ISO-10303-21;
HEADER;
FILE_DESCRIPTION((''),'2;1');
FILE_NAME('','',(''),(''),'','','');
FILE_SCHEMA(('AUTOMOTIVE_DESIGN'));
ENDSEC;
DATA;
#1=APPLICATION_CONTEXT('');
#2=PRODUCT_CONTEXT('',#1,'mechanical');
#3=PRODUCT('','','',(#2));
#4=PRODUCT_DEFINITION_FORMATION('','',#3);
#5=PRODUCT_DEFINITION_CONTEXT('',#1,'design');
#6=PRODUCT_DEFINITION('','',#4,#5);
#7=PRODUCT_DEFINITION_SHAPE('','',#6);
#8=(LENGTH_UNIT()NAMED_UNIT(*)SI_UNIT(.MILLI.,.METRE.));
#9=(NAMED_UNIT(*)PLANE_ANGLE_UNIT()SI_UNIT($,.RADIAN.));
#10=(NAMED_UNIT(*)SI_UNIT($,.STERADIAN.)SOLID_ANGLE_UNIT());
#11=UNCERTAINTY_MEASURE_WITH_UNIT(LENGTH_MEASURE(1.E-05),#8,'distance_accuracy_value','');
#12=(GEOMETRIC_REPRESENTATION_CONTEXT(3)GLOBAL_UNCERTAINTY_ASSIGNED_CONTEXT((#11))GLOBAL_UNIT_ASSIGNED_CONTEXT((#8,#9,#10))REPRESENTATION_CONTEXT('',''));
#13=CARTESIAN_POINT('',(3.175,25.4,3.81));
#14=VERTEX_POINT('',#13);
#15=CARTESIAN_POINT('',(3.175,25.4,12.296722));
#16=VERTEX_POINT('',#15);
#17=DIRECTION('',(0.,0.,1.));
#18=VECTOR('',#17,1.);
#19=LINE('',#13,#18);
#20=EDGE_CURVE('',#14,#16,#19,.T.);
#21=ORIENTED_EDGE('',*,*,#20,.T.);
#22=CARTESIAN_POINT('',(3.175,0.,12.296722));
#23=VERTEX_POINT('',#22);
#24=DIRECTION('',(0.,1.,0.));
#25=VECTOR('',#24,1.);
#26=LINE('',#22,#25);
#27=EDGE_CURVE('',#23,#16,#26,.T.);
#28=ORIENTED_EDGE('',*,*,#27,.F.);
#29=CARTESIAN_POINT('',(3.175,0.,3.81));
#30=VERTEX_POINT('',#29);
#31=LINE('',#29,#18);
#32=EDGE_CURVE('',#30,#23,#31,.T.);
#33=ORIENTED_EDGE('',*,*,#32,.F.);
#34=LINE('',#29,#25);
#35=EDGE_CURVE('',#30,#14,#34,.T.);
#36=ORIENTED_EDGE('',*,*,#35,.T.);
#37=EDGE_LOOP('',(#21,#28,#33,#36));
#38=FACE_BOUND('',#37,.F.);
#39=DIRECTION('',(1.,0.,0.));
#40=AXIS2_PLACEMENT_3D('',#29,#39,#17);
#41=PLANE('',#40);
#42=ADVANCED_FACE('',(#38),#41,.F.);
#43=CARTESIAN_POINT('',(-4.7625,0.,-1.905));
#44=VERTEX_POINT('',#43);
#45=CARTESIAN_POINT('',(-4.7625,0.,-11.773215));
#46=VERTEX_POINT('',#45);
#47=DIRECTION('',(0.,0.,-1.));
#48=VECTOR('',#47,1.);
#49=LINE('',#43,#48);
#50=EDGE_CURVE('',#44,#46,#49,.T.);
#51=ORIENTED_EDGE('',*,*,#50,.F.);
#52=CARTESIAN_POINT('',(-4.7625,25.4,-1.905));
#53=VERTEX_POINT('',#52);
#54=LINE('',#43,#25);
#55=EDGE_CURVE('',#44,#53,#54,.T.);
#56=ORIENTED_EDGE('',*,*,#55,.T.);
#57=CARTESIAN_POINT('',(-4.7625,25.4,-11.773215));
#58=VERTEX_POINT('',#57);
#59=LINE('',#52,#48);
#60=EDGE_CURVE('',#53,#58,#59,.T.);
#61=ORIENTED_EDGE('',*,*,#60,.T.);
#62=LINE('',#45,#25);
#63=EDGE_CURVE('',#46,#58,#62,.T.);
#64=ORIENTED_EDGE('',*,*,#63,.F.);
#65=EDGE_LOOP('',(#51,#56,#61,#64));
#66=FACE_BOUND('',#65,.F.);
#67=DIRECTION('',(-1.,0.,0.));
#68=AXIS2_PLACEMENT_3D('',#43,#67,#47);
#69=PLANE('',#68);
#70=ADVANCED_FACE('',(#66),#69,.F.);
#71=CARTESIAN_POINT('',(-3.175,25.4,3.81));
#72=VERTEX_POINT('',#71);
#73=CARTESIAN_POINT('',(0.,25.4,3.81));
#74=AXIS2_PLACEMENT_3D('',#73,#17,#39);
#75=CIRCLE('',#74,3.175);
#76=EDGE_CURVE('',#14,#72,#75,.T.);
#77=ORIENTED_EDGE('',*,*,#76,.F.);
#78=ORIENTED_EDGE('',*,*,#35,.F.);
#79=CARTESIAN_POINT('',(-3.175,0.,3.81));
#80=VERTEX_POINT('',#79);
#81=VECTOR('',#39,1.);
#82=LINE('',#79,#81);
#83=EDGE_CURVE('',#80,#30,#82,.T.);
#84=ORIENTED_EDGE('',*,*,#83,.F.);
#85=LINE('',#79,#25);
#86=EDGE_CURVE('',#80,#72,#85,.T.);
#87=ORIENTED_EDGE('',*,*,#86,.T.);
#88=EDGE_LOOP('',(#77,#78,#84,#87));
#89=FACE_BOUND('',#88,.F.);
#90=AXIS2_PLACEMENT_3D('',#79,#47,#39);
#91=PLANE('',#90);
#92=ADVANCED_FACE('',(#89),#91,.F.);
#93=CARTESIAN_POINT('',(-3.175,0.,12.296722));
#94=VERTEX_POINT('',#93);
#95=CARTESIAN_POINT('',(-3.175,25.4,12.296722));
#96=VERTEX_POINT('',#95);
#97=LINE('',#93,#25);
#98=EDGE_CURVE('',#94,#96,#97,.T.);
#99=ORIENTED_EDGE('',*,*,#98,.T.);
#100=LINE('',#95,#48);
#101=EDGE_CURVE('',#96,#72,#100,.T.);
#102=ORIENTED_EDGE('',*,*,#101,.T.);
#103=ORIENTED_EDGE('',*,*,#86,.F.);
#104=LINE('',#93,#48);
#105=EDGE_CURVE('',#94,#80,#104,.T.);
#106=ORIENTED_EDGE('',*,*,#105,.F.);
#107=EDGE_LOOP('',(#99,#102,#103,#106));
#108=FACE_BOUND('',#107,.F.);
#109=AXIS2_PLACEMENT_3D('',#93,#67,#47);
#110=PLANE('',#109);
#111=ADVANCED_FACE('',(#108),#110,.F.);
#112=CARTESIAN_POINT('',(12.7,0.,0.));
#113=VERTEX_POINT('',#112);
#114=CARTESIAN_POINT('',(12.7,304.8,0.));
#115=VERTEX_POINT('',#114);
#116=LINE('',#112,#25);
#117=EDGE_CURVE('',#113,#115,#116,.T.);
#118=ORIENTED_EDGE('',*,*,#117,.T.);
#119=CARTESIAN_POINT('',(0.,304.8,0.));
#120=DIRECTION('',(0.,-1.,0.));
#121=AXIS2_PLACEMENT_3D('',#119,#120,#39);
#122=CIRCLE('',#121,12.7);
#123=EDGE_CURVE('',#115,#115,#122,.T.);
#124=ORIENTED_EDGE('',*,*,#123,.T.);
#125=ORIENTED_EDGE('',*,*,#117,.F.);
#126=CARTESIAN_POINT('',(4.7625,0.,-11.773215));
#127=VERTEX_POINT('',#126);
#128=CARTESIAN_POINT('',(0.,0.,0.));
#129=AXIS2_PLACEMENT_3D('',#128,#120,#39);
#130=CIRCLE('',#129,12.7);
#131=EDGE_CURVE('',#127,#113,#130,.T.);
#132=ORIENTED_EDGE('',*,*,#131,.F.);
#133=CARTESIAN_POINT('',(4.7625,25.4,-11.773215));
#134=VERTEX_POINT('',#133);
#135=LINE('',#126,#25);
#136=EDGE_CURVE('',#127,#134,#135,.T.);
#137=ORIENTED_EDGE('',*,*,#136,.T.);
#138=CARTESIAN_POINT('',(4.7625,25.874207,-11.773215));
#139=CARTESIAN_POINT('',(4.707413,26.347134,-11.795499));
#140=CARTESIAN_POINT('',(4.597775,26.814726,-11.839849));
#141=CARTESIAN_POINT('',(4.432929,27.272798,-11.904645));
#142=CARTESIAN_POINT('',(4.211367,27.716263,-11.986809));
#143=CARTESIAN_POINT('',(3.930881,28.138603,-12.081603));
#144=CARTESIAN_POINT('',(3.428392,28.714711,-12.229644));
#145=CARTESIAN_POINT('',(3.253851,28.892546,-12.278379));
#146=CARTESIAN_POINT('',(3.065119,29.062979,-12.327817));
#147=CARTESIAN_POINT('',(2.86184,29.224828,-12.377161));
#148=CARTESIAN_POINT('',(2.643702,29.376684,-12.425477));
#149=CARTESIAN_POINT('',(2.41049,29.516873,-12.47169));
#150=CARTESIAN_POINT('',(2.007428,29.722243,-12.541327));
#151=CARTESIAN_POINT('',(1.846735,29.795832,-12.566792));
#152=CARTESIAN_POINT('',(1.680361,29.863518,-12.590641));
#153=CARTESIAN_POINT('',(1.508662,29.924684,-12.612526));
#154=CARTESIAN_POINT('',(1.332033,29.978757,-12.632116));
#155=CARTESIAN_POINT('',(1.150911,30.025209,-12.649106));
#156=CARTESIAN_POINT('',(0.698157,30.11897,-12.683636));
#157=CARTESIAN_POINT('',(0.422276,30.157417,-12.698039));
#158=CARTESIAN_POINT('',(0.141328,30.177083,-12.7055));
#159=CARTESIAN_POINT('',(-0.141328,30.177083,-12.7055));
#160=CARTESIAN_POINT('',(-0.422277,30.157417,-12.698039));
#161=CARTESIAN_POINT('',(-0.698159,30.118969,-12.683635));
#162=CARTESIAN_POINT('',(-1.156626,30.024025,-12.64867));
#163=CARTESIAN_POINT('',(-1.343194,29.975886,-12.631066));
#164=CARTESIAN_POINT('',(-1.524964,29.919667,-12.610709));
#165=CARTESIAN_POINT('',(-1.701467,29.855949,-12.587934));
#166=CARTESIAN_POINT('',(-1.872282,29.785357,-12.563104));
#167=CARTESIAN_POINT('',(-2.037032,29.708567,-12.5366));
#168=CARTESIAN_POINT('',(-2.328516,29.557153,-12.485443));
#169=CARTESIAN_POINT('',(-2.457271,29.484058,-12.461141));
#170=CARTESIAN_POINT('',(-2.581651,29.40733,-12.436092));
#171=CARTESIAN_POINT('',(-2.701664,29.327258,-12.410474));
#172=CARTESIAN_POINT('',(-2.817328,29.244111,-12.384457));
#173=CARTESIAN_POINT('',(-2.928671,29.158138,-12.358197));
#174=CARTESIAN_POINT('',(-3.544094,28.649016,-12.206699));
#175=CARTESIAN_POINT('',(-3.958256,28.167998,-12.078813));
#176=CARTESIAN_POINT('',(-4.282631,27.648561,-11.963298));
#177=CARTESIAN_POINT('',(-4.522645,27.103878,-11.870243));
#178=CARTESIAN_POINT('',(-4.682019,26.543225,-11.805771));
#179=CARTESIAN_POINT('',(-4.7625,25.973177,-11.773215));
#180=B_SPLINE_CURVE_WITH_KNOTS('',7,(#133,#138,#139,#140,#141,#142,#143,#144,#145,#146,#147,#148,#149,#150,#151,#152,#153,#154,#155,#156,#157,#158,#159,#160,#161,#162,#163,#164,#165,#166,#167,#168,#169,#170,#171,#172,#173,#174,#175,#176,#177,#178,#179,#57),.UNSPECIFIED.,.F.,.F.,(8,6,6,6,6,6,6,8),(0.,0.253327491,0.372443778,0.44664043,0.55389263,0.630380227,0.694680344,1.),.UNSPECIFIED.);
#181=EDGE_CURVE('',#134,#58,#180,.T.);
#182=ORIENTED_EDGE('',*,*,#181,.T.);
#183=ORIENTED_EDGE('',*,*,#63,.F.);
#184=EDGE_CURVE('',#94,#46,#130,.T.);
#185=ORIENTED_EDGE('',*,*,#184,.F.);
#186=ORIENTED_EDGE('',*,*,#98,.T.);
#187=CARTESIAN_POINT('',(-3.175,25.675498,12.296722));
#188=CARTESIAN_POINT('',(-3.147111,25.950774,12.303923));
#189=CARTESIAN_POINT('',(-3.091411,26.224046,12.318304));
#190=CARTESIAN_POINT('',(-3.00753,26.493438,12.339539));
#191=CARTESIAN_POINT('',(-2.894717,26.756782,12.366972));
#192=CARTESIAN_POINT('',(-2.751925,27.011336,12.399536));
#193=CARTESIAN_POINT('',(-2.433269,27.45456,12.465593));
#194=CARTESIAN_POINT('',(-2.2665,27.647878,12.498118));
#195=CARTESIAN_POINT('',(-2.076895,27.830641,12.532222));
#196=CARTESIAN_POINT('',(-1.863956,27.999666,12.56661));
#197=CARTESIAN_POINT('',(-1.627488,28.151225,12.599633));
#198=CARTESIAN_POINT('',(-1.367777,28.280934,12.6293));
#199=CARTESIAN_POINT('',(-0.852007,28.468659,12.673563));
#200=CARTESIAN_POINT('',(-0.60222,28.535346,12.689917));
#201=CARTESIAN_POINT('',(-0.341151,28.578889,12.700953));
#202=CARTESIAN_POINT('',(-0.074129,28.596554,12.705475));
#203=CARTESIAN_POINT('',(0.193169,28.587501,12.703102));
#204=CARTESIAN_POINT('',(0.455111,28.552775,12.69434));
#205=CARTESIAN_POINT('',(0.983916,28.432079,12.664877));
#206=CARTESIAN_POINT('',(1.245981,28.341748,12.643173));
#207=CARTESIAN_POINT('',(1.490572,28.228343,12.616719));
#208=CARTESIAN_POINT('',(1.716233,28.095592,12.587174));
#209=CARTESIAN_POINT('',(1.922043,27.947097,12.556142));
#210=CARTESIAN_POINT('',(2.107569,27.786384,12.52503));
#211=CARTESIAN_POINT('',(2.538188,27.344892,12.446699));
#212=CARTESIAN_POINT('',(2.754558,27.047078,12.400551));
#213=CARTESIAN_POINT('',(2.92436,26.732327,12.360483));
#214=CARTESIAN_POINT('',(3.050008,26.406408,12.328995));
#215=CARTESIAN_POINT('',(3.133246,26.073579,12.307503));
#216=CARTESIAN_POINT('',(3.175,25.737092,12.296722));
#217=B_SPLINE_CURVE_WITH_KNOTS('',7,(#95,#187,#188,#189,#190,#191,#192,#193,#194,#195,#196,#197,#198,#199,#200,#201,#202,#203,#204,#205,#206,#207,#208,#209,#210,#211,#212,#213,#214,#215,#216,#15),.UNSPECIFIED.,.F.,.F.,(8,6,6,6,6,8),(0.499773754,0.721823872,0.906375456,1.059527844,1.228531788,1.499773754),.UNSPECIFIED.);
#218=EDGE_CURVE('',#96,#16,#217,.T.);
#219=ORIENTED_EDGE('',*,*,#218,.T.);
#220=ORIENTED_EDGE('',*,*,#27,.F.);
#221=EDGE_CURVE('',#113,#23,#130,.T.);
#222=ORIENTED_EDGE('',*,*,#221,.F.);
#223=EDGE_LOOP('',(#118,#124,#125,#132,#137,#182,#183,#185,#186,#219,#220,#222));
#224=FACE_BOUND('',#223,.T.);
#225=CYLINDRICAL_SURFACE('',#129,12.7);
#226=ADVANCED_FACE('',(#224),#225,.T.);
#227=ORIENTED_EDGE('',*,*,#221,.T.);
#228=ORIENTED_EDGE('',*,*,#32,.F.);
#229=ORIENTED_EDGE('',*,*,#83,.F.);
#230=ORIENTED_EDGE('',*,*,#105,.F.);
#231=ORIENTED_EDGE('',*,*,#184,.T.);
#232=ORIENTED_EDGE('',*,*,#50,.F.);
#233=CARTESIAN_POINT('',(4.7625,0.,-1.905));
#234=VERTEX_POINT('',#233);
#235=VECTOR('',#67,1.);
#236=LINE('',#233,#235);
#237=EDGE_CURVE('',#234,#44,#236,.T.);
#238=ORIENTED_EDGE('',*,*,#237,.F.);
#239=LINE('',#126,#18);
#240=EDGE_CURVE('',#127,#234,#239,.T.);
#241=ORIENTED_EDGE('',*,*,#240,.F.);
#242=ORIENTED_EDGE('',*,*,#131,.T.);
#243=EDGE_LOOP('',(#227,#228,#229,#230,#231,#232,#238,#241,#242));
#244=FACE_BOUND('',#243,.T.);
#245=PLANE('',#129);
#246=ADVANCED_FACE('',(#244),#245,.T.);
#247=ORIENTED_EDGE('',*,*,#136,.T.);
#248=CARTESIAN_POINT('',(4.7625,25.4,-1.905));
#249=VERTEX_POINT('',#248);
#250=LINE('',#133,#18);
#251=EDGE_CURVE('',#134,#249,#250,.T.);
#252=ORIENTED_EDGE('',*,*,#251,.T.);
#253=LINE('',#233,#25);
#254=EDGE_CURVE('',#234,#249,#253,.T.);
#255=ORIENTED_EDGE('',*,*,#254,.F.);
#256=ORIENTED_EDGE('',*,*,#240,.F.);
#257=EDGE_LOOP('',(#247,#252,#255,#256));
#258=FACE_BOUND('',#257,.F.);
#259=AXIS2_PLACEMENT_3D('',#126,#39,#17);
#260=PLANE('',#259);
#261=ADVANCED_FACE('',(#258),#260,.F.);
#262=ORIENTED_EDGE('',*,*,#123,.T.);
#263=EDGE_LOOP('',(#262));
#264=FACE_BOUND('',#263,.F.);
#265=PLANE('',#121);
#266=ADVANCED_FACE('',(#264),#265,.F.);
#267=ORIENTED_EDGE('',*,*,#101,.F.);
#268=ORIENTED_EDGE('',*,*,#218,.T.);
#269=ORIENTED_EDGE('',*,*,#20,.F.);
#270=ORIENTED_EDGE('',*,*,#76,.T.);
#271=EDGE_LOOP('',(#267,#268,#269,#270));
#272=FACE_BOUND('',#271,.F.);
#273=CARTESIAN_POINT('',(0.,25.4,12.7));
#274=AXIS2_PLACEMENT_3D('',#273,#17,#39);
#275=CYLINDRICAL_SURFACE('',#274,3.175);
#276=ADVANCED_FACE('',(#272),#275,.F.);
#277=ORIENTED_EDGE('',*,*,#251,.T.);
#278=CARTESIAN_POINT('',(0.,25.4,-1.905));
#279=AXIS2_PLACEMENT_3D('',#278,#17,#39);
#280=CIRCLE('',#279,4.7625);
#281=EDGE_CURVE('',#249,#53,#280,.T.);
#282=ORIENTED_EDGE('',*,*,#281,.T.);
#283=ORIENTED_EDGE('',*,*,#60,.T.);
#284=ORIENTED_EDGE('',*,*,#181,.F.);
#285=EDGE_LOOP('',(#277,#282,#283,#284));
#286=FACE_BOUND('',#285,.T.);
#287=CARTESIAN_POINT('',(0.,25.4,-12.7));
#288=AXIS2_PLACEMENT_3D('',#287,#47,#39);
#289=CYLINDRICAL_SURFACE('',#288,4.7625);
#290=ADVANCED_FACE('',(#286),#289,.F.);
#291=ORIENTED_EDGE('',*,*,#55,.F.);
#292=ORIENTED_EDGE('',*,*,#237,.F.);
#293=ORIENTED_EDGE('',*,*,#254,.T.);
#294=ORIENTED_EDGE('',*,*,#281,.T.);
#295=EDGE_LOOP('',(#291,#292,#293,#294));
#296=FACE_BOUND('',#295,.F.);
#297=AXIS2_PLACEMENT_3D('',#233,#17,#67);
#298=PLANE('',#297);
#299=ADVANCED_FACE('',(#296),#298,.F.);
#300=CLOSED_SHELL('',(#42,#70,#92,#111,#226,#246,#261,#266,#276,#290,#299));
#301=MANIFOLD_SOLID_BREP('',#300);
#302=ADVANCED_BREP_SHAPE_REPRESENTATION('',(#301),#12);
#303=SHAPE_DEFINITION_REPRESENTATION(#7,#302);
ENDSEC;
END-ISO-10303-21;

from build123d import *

# Parameters (mm, degrees)
F0_R     = 12.7
F1_DEPTH = 304.8
F3_DEPTH = 25.4
F7_DEPTH = 8.89
F9_DEPTH = 10.795


with BuildPart() as f1:
    # F0 (on Front) → F1 (new body)
    with BuildSketch(Plane.XZ):
        Circle(F0_R)
    extrude(amount=-F1_DEPTH)

    # F2 (on face) → F3 (cut)
    with BuildSketch(Plane.XZ):
        with BuildLine():
            ThreePointArc((3.175, 12.296722), (0, 12.7), (-3.175, 12.296722))
            Line((-3.175, 12.296722), (-3.175, 3.81))
            Line((-3.175, 3.81), (3.175, 3.81))
            Line((3.175, 3.81), (3.175, 12.296722))
        make_face()
        with BuildLine():
            Line((-4.7625, -1.905), (-4.7625, -11.773215))
            ThreePointArc((-4.7625, -11.773215), (0, -12.7), (4.7625, -11.773215))
            Line((4.7625, -11.773215), (4.7625, -1.905))
            Line((4.7625, -1.905), (-4.7625, -1.905))
        make_face()
    extrude(amount=-F3_DEPTH, mode=Mode.SUBTRACT)

    # F6 (on offset) → F7 (cut, through all)
    with BuildSketch(Plane.XY.offset(12.7)):
        with BuildLine():
            Line((-3.175, 25.4), (3.175, 25.4))
            ThreePointArc((3.175, 25.4), (0, 28.575), (-3.175, 25.4))
        make_face()
    extrude(amount=-F7_DEPTH, mode=Mode.SUBTRACT)

    # F8 (on offset) → F9 (cut, through all)
    with BuildSketch(Plane.XY.offset(-12.7)):
        with BuildLine():
            ThreePointArc((4.7625, 25.4), (0, 30.1625), (-4.7625, 25.4))
            Line((-4.7625, 25.4), (4.7625, 25.4))
        make_face()
    extrude(amount=F9_DEPTH, mode=Mode.SUBTRACT)


solid = f1.part
